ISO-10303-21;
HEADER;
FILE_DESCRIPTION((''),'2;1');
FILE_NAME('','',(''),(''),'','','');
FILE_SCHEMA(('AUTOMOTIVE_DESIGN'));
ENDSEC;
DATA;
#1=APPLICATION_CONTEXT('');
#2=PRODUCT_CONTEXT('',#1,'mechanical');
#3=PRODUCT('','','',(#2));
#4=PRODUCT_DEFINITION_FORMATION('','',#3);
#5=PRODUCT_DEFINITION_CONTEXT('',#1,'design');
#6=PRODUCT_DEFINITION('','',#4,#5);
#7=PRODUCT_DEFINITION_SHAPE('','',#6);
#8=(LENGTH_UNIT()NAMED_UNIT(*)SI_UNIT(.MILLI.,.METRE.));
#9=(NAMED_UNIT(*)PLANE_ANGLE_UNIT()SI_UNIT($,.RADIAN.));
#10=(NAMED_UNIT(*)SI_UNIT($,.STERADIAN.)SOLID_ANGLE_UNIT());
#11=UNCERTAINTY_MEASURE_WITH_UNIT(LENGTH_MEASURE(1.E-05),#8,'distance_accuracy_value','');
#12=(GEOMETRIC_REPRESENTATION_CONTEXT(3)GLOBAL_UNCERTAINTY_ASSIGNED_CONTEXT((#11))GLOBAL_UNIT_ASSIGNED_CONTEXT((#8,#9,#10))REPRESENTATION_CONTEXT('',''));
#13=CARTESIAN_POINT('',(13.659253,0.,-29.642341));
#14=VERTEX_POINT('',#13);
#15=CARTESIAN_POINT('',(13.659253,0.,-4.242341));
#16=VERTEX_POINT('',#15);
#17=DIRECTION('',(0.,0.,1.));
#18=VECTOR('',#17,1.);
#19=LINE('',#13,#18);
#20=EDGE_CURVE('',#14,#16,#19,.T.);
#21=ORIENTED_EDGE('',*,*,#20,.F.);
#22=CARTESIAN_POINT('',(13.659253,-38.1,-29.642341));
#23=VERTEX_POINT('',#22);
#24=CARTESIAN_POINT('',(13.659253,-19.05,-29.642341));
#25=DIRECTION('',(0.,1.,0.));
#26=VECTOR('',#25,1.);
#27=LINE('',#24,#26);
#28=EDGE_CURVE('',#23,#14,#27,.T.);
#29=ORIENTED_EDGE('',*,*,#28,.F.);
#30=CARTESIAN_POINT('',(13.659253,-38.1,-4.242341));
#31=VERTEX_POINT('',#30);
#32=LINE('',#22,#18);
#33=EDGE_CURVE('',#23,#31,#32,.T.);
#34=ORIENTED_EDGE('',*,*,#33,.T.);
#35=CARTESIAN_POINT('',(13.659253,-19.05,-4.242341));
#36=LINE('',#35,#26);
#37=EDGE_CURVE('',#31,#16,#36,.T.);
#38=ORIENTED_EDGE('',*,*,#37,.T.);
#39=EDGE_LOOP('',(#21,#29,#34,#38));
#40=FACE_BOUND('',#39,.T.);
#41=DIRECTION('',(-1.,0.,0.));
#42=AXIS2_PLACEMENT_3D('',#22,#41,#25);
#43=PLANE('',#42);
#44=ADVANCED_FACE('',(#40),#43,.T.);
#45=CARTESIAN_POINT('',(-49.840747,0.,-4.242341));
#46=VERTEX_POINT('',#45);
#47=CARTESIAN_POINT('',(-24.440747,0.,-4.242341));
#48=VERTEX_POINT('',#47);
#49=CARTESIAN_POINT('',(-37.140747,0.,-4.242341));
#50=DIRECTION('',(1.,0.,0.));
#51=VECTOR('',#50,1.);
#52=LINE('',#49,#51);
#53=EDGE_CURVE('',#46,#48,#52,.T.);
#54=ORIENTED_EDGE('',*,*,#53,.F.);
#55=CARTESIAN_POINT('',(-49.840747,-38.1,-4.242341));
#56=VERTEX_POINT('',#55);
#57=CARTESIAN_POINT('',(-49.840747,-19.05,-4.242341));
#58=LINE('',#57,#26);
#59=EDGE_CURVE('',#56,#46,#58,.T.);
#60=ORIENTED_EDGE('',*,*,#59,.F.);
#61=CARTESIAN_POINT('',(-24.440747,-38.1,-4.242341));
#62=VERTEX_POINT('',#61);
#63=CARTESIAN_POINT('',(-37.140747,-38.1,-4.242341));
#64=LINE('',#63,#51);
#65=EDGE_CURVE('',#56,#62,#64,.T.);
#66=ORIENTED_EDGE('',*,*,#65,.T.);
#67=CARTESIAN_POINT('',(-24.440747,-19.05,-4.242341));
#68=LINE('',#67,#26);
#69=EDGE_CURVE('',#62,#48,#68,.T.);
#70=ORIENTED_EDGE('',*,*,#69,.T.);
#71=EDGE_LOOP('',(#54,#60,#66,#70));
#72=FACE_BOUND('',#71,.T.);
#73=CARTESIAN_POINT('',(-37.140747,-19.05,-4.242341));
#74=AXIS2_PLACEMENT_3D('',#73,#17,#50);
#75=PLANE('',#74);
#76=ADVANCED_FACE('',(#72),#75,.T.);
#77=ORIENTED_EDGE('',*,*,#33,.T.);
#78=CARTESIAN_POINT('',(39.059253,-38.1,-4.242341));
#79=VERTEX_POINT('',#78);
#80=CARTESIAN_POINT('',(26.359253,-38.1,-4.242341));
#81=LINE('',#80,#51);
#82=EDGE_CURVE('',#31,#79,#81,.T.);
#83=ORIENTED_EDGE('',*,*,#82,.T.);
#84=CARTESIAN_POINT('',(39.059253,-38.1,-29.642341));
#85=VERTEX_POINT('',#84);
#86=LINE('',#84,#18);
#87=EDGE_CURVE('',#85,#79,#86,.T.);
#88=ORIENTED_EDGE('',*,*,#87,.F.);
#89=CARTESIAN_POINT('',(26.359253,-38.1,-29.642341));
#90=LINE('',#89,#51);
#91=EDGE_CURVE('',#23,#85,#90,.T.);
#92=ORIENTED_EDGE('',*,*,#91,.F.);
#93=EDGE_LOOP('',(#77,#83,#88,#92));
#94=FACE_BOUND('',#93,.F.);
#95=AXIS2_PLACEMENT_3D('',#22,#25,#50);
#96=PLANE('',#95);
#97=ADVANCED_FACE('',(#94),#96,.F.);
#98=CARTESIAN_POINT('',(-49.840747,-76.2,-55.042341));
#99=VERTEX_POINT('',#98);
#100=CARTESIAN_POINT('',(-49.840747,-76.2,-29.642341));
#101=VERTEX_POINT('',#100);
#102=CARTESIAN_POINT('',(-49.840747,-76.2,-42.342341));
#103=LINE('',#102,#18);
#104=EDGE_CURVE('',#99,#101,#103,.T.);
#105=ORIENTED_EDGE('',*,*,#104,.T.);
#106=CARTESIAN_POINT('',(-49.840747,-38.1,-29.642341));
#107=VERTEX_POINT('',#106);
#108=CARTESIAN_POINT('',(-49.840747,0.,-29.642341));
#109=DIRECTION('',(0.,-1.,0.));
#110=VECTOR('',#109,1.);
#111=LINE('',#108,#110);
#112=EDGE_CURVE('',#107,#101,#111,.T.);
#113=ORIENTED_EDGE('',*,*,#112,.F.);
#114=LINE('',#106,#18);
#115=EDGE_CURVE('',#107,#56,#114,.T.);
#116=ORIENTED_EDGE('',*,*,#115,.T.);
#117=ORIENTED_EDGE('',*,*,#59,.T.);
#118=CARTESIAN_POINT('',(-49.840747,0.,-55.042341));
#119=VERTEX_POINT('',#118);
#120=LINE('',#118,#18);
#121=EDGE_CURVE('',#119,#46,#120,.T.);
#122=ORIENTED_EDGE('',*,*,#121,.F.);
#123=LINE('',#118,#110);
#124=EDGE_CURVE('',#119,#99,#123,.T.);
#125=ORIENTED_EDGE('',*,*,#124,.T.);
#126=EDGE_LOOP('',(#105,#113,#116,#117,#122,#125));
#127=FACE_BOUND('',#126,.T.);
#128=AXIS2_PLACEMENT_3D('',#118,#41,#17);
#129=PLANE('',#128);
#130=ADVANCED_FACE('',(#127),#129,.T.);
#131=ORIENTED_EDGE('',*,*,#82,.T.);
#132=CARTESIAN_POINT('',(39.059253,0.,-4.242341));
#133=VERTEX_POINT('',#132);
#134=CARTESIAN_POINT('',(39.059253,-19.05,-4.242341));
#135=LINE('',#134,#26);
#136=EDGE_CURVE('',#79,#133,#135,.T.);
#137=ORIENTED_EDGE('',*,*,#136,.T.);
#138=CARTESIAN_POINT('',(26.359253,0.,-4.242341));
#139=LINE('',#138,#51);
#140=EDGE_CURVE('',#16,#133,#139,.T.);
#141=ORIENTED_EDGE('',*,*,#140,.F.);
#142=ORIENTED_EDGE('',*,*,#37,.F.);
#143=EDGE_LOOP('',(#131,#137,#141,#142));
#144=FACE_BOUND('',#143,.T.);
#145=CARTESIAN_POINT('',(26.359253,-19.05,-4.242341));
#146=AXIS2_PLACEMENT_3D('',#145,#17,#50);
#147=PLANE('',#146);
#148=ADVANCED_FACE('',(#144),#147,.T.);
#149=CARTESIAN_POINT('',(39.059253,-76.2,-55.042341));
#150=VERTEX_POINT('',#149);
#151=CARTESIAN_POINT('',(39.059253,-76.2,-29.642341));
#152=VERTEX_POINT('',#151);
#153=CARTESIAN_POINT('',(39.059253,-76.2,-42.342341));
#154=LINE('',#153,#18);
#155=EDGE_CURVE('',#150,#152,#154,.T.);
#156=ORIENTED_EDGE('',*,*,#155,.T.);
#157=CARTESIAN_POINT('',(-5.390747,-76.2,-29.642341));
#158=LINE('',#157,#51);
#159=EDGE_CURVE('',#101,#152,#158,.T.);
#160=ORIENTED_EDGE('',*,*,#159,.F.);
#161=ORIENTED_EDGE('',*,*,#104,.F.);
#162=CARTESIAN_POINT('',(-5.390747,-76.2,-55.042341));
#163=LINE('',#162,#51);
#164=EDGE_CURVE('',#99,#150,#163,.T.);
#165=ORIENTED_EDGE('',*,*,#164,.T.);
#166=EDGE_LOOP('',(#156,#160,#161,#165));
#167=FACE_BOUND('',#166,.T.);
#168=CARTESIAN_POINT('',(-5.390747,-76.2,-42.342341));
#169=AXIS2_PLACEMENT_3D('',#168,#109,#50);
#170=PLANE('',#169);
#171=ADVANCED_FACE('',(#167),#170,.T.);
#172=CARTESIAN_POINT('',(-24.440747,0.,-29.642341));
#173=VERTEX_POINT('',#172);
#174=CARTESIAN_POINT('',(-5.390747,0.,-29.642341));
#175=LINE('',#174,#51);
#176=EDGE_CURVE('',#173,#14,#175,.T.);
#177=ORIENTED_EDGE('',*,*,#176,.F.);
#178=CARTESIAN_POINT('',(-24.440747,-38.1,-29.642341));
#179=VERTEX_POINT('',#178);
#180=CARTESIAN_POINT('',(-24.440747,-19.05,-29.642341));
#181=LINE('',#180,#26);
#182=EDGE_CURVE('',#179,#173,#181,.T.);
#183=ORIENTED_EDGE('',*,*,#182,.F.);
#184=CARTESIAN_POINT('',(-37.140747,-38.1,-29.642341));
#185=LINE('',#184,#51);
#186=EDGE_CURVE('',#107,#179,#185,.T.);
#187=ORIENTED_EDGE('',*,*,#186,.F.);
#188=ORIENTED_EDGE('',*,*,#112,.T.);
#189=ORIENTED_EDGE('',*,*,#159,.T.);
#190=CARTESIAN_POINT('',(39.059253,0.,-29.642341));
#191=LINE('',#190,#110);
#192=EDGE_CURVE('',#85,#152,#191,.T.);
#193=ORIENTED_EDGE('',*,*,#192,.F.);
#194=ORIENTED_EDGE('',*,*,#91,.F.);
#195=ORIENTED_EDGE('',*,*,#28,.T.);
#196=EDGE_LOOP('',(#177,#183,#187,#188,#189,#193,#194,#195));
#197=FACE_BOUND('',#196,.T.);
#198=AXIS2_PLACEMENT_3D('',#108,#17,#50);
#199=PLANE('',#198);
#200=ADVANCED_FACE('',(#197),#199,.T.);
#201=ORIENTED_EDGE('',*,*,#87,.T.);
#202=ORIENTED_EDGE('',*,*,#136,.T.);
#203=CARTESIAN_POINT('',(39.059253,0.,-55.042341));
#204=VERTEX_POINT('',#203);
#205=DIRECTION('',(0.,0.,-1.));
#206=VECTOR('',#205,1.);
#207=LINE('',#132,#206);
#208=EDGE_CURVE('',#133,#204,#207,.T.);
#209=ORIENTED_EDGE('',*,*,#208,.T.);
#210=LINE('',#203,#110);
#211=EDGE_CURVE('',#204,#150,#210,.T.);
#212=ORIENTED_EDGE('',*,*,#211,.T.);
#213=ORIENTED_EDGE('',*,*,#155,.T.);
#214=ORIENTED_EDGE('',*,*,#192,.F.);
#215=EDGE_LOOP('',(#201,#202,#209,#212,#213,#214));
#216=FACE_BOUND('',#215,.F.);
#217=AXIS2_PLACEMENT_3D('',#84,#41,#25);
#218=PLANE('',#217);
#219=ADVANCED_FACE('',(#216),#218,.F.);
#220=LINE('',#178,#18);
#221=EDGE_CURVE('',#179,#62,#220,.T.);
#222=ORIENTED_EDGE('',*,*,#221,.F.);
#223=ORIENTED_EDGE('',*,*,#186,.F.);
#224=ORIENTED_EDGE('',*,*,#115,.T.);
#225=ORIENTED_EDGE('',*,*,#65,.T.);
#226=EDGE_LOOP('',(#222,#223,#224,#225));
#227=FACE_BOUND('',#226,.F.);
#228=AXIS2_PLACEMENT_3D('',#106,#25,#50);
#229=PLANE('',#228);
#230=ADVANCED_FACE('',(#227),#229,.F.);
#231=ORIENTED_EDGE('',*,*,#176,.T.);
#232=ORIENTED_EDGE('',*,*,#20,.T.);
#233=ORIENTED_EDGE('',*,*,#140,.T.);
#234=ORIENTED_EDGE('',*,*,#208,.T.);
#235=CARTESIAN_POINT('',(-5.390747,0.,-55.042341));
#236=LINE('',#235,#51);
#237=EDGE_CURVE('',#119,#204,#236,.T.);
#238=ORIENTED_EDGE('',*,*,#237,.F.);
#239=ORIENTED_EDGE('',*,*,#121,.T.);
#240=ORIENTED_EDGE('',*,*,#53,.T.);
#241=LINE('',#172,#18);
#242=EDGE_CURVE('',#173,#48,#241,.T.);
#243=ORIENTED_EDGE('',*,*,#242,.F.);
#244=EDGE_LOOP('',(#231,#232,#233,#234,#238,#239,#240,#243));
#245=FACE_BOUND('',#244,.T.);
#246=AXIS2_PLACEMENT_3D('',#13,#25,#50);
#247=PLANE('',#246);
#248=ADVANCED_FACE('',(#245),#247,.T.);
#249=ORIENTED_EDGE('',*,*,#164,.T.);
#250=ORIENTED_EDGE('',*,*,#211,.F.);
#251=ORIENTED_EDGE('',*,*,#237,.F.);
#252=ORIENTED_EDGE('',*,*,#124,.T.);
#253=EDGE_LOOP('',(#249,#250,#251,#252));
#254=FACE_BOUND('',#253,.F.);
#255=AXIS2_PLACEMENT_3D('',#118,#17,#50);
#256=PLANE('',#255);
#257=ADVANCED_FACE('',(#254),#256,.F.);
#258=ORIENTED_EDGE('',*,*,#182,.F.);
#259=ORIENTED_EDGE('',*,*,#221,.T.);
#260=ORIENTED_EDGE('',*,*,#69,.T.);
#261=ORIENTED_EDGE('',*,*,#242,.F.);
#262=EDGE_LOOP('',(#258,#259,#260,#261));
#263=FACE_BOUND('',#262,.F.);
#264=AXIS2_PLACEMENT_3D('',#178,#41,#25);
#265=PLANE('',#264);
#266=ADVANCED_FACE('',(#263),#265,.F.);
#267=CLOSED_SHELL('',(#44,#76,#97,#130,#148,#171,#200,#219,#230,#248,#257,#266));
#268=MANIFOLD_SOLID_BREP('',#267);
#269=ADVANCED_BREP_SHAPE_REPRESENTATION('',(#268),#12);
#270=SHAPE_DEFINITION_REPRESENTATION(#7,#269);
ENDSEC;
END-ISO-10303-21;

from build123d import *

# Parameters (mm, degrees)
F0_W     = 88.9
F0_H     = 25.4
F1_DEPTH = 76.2
F2_W     = 25.4
F2_H     = 38.1
F3_DEPTH = 25.4


with BuildPart() as f1:
    # F0 (on Front) → F1 (new body)
    with BuildSketch(Plane.XZ):
        with Locations((-5.390747, -42.342341)):
            Rectangle(F0_W, F0_H)
    extrude(amount=F1_DEPTH)

    # F2 (on face) → F3 (join)
    with BuildSketch(Plane.XY.offset(-29.642341)):
        with Locations((26.359253, -19.05)):
            Rectangle(F2_W, F2_H)
        with Locations((-37.140747, -19.05)):
            Rectangle(F2_W, F2_H)
    extrude(amount=F3_DEPTH)


solid = f1.part
